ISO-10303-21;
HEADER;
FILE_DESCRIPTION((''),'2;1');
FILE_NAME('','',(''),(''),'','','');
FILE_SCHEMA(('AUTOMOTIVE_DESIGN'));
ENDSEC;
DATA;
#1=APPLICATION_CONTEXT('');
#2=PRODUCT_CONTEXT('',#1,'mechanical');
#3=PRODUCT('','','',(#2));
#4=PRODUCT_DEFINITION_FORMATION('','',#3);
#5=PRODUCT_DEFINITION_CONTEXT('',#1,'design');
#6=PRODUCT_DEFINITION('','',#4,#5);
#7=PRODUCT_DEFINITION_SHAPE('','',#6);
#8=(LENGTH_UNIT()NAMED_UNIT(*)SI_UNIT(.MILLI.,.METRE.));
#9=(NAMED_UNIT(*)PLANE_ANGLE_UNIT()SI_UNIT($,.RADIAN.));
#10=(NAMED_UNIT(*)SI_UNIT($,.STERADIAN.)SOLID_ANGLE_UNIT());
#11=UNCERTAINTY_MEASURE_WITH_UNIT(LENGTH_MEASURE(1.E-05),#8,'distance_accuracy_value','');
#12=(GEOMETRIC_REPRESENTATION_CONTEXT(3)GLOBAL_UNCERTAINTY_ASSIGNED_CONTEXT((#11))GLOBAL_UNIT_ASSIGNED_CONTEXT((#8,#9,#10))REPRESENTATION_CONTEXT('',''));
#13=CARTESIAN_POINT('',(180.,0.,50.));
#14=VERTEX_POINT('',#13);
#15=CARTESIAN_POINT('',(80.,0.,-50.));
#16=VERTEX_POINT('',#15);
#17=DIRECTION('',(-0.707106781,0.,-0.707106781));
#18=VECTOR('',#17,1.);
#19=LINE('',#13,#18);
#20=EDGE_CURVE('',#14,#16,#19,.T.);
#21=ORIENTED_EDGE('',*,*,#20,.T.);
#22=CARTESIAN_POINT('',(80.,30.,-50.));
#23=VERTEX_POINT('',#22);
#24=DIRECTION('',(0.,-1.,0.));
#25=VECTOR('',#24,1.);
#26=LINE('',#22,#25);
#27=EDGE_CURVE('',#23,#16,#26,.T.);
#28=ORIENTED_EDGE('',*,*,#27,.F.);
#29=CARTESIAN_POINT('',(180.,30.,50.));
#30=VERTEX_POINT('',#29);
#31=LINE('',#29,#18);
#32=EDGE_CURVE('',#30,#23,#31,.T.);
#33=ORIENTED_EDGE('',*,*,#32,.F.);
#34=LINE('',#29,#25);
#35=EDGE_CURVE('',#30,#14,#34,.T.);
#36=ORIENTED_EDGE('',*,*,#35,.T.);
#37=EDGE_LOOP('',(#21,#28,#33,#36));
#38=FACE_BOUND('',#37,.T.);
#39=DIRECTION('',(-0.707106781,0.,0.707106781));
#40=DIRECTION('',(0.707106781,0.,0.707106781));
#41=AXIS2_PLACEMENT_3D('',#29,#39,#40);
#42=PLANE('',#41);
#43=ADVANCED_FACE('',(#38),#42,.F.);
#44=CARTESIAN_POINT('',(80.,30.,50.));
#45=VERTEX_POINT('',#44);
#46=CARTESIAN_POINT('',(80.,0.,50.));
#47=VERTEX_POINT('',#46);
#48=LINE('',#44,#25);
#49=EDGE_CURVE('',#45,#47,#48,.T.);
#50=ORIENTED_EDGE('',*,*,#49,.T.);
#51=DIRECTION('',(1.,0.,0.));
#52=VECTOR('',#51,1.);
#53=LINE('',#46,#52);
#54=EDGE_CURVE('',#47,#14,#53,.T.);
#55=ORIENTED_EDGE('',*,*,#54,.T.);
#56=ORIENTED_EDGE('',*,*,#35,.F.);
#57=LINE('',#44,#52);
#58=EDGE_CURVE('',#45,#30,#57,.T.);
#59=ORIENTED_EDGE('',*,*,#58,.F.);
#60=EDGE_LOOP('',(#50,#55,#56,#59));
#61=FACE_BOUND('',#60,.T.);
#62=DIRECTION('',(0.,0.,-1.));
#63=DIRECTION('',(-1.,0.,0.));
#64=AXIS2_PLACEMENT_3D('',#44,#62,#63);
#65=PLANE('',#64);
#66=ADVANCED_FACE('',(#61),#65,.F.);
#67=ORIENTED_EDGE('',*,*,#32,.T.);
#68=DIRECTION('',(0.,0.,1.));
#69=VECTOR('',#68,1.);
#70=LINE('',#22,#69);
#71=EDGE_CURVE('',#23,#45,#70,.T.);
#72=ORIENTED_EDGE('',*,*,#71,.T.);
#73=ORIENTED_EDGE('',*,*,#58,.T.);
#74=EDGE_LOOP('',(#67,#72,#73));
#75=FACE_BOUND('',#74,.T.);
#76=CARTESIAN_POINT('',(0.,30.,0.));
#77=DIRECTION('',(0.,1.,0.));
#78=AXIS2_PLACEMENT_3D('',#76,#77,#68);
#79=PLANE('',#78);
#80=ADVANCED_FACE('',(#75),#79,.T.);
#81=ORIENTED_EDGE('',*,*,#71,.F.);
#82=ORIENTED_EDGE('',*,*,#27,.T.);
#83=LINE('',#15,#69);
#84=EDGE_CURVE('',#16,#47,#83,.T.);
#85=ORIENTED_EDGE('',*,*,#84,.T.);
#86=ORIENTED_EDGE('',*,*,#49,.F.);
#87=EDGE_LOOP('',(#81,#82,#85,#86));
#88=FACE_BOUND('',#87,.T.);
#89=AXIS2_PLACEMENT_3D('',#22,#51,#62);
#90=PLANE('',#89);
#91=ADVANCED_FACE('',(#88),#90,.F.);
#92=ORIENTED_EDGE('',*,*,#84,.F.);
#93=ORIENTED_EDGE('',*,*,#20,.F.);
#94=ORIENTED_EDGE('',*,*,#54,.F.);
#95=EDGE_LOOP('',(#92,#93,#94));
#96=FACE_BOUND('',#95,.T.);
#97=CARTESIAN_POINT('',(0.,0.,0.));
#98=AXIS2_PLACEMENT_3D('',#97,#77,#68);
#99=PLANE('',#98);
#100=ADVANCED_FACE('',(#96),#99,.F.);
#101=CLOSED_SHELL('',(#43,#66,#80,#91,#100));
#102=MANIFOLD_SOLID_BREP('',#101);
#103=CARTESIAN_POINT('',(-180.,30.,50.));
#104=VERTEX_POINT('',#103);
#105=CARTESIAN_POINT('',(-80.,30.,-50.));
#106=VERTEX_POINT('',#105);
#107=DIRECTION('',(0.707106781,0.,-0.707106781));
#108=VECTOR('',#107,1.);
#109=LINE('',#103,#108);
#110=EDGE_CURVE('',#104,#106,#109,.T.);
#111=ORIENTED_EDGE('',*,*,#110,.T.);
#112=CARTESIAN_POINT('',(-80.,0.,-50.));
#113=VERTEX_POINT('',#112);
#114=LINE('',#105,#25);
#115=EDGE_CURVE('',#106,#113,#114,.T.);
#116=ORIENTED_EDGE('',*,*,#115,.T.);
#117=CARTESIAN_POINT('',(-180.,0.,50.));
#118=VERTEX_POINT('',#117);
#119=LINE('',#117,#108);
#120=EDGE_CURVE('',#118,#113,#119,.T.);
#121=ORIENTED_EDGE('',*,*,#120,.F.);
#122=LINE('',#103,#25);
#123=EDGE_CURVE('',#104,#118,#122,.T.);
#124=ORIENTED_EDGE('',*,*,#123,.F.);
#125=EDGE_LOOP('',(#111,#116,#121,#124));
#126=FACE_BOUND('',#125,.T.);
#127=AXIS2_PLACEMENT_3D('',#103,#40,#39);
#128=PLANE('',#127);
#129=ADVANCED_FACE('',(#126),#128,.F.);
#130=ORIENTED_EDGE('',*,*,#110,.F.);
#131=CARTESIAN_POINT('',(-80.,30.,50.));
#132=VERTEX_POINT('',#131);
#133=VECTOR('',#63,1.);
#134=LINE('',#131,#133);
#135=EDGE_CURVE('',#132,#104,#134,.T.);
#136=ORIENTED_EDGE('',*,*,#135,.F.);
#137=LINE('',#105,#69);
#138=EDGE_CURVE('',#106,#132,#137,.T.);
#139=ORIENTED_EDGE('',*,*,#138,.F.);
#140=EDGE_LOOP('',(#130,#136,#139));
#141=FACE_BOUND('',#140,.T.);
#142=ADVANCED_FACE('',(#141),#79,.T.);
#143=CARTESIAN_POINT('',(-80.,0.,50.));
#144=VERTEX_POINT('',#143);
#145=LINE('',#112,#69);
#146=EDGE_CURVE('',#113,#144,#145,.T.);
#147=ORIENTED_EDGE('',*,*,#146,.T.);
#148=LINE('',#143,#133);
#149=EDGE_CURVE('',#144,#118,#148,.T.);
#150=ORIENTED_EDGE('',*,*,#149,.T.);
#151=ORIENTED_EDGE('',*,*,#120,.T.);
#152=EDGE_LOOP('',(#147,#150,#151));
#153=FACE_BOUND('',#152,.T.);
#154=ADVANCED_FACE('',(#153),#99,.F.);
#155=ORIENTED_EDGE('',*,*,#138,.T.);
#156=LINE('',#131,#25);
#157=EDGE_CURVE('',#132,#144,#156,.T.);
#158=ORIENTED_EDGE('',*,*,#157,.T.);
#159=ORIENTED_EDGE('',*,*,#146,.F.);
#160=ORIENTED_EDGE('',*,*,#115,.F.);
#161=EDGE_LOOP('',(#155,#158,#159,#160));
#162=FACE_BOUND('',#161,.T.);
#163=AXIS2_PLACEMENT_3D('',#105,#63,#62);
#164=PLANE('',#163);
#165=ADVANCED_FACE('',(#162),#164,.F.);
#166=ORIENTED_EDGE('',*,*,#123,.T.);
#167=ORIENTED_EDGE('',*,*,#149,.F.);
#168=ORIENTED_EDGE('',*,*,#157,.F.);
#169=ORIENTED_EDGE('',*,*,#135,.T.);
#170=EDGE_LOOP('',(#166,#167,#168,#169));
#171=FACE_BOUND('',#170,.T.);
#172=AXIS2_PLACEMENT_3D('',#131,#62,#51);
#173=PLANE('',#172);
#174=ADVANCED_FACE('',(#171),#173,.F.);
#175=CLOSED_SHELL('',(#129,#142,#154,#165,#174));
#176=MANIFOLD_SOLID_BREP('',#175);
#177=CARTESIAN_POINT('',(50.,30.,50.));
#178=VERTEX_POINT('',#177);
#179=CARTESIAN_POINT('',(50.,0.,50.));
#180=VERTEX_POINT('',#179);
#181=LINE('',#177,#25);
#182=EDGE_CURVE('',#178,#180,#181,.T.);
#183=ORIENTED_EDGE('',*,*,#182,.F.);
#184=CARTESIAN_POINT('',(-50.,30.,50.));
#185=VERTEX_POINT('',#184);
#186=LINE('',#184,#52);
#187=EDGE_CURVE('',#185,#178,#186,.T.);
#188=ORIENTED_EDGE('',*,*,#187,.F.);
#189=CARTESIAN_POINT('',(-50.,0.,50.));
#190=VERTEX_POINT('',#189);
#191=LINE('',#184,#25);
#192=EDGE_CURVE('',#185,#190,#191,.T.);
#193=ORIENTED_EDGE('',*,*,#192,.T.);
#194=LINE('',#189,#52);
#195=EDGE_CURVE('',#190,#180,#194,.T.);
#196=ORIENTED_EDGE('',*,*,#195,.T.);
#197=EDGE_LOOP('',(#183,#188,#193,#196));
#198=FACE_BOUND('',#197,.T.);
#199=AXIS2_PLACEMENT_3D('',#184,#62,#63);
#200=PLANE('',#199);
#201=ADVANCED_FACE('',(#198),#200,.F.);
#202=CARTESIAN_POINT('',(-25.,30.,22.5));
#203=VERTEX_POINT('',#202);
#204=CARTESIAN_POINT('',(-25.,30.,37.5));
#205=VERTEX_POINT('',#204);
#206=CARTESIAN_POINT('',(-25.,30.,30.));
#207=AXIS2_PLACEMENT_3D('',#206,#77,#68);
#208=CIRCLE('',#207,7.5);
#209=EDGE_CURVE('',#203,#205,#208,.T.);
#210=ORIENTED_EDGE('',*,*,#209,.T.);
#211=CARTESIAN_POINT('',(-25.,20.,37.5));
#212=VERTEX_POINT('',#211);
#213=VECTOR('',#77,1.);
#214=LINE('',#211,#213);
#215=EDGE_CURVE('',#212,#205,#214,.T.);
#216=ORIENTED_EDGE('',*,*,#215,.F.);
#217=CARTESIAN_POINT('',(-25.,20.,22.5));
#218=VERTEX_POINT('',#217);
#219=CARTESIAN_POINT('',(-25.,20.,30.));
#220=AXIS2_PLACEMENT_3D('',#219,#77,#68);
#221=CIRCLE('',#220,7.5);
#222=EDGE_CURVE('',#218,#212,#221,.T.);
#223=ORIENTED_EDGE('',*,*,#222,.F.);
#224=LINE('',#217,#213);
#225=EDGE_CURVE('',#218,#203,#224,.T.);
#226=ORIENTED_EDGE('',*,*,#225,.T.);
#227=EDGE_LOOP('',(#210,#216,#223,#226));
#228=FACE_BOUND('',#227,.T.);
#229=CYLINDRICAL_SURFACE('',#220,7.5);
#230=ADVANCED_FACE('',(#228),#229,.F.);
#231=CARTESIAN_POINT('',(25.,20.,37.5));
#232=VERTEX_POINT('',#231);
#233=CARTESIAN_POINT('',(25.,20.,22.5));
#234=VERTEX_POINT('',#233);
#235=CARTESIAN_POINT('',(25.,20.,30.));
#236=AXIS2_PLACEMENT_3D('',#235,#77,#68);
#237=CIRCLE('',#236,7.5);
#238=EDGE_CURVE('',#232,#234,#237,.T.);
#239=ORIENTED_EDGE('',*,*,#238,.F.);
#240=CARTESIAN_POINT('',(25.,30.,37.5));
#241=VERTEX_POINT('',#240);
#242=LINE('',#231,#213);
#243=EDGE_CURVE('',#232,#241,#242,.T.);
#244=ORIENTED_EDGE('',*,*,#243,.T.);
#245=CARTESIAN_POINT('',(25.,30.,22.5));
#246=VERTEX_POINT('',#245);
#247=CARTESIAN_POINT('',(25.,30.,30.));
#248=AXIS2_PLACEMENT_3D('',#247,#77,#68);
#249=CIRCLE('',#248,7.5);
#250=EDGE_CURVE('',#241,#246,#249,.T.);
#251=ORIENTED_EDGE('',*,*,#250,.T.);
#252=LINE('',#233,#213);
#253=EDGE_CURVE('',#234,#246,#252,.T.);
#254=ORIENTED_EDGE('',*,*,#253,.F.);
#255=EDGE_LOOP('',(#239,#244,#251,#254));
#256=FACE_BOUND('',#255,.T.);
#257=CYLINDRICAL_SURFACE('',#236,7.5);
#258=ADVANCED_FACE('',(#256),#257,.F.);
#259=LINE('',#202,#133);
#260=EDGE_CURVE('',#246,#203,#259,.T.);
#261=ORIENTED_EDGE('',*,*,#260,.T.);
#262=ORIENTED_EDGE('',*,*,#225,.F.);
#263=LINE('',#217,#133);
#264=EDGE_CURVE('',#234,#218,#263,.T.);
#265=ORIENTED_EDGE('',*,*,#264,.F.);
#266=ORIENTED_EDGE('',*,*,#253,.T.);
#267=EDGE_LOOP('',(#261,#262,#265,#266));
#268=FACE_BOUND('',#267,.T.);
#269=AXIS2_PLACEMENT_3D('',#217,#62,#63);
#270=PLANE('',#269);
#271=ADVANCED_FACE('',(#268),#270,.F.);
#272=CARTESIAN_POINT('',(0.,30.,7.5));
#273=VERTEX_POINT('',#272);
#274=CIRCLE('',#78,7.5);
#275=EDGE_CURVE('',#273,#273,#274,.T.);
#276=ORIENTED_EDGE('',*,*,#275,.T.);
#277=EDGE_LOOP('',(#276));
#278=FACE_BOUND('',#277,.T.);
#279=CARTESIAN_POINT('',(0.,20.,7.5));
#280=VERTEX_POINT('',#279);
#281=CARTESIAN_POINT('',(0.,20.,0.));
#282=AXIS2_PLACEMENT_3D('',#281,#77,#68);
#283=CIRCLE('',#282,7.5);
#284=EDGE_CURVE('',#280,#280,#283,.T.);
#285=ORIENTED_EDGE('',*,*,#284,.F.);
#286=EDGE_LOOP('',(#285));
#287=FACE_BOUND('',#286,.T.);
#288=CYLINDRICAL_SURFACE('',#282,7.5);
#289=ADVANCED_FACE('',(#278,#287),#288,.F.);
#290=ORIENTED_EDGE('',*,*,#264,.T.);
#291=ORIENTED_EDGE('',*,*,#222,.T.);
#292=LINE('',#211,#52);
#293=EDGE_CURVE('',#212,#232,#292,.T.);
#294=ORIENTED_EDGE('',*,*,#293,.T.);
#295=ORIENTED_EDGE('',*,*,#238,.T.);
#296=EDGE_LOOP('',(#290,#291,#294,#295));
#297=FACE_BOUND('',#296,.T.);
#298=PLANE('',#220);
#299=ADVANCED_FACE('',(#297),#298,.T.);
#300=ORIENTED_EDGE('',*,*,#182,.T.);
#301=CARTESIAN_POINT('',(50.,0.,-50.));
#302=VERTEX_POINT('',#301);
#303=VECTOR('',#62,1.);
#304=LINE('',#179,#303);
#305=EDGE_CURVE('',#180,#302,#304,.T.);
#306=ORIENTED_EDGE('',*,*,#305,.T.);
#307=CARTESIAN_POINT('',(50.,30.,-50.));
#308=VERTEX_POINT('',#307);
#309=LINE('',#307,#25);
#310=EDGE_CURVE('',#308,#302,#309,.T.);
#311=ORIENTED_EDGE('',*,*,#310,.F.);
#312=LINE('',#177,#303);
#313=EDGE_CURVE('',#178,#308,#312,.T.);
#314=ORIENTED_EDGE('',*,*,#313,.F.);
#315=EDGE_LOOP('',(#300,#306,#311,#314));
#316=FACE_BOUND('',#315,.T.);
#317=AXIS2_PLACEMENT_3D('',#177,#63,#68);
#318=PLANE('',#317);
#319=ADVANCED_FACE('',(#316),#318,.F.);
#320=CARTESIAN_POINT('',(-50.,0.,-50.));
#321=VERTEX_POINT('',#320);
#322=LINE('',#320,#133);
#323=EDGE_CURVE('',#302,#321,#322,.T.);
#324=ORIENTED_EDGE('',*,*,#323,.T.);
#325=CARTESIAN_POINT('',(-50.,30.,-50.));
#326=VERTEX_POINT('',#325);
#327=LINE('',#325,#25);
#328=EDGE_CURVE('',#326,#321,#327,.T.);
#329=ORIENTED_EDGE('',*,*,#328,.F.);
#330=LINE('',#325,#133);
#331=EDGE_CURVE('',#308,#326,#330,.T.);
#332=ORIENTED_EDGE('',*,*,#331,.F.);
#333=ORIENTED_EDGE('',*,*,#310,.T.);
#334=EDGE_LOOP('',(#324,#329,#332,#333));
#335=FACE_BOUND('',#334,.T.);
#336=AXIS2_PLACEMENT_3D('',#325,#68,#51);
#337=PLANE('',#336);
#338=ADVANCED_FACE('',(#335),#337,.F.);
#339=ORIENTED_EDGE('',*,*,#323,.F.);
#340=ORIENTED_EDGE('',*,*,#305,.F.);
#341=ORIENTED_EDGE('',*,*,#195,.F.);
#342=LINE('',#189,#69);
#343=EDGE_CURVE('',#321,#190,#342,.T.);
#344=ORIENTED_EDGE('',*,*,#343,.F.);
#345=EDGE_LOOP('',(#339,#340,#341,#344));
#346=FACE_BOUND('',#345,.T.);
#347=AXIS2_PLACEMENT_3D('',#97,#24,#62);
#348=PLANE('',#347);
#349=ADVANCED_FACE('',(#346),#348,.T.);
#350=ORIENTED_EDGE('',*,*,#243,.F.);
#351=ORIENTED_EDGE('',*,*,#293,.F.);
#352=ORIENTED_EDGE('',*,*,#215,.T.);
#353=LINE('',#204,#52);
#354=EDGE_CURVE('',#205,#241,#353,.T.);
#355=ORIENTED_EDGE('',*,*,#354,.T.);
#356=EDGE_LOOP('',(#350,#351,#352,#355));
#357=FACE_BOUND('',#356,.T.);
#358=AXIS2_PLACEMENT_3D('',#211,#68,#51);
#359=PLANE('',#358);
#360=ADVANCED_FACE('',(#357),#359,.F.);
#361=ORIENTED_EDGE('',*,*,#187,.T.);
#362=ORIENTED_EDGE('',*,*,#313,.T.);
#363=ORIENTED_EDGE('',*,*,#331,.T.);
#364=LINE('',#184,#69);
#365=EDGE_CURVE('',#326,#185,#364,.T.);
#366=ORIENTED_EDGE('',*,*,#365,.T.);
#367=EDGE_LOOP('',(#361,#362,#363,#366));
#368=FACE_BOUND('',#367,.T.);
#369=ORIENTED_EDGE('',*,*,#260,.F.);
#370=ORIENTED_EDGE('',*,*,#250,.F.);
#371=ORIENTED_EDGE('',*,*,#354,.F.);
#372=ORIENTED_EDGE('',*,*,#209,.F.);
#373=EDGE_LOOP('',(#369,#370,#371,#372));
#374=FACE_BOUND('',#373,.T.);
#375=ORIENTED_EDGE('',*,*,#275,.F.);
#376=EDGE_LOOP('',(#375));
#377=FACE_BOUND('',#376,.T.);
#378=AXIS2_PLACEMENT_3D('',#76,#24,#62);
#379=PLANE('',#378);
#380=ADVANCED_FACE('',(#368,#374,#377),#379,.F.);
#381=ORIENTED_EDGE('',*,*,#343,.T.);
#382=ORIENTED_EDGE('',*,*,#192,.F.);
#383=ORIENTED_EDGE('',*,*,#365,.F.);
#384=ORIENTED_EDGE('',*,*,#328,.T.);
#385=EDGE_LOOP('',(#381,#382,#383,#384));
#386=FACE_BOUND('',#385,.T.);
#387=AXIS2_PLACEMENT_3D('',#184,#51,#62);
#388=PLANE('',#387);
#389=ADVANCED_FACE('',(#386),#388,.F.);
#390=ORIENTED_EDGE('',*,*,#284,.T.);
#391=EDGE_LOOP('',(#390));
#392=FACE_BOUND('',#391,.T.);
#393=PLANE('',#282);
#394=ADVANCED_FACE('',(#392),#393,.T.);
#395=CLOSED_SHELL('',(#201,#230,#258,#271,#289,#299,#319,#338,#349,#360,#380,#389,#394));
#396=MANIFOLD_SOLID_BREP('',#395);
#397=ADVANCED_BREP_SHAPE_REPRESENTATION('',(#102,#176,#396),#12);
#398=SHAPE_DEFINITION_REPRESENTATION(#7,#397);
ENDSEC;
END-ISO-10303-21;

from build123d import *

# Parameters (mm, degrees)
EXTRUDE_1_DEPTH     = 30
SKETCH_2_W          = 100
SKETCH_2_H          = 100
EXTRUDE_1_2_DEPTH   = 30
SKETCH_10_R         = 7.5
CUT_EXTRUDE_1_DEPTH = 10


with BuildPart() as part:
    # 草图2 → 凸台-拉伸1 (new body)
    with BuildSketch(Plane(origin=(0, 0, 0), x_dir=(1, 0, 0), z_dir=(0, 1, 0))):
        Polygon((80, -50), (180, -50), (80, 50), align=None)
    extrude(amount=EXTRUDE_1_DEPTH)


with BuildPart() as body_2:
    # 草图2 → Extrude 1 2 (new body)
    with BuildSketch(Plane(origin=(0, 0, 0), x_dir=(1, 0, 0), z_dir=(0, 1, 0))):
        Rectangle(SKETCH_2_W, SKETCH_2_H)
    extrude(amount=EXTRUDE_1_2_DEPTH)

    # 草图10 → 切除-拉伸1 (cut)
    with BuildSketch(Plane(origin=(0, 30, 0), x_dir=(1, 0, 0), z_dir=(0, 1, 0))):
        Circle(SKETCH_10_R)
        with BuildLine():
            Line((-25, -22.5), (25, -22.5))
            ThreePointArc((25, -22.5), (32.5, -30), (25, -37.5))
            Line((25, -37.5), (-25, -37.5))
            ThreePointArc((-25, -37.5), (-32.5, -30), (-25, -22.5))
        make_face()
    extrude(amount=-CUT_EXTRUDE_1_DEPTH, mode=Mode.SUBTRACT)


with BuildPart() as body_3:
    # 镜向4: mirrored copy
    add(part.part.mirror(Plane(origin=(0, 0, 0), x_dir=(0, 0, 1), z_dir=(1, 0, 0))))


solid = Compound([part.part, body_2.part, body_3.part])
